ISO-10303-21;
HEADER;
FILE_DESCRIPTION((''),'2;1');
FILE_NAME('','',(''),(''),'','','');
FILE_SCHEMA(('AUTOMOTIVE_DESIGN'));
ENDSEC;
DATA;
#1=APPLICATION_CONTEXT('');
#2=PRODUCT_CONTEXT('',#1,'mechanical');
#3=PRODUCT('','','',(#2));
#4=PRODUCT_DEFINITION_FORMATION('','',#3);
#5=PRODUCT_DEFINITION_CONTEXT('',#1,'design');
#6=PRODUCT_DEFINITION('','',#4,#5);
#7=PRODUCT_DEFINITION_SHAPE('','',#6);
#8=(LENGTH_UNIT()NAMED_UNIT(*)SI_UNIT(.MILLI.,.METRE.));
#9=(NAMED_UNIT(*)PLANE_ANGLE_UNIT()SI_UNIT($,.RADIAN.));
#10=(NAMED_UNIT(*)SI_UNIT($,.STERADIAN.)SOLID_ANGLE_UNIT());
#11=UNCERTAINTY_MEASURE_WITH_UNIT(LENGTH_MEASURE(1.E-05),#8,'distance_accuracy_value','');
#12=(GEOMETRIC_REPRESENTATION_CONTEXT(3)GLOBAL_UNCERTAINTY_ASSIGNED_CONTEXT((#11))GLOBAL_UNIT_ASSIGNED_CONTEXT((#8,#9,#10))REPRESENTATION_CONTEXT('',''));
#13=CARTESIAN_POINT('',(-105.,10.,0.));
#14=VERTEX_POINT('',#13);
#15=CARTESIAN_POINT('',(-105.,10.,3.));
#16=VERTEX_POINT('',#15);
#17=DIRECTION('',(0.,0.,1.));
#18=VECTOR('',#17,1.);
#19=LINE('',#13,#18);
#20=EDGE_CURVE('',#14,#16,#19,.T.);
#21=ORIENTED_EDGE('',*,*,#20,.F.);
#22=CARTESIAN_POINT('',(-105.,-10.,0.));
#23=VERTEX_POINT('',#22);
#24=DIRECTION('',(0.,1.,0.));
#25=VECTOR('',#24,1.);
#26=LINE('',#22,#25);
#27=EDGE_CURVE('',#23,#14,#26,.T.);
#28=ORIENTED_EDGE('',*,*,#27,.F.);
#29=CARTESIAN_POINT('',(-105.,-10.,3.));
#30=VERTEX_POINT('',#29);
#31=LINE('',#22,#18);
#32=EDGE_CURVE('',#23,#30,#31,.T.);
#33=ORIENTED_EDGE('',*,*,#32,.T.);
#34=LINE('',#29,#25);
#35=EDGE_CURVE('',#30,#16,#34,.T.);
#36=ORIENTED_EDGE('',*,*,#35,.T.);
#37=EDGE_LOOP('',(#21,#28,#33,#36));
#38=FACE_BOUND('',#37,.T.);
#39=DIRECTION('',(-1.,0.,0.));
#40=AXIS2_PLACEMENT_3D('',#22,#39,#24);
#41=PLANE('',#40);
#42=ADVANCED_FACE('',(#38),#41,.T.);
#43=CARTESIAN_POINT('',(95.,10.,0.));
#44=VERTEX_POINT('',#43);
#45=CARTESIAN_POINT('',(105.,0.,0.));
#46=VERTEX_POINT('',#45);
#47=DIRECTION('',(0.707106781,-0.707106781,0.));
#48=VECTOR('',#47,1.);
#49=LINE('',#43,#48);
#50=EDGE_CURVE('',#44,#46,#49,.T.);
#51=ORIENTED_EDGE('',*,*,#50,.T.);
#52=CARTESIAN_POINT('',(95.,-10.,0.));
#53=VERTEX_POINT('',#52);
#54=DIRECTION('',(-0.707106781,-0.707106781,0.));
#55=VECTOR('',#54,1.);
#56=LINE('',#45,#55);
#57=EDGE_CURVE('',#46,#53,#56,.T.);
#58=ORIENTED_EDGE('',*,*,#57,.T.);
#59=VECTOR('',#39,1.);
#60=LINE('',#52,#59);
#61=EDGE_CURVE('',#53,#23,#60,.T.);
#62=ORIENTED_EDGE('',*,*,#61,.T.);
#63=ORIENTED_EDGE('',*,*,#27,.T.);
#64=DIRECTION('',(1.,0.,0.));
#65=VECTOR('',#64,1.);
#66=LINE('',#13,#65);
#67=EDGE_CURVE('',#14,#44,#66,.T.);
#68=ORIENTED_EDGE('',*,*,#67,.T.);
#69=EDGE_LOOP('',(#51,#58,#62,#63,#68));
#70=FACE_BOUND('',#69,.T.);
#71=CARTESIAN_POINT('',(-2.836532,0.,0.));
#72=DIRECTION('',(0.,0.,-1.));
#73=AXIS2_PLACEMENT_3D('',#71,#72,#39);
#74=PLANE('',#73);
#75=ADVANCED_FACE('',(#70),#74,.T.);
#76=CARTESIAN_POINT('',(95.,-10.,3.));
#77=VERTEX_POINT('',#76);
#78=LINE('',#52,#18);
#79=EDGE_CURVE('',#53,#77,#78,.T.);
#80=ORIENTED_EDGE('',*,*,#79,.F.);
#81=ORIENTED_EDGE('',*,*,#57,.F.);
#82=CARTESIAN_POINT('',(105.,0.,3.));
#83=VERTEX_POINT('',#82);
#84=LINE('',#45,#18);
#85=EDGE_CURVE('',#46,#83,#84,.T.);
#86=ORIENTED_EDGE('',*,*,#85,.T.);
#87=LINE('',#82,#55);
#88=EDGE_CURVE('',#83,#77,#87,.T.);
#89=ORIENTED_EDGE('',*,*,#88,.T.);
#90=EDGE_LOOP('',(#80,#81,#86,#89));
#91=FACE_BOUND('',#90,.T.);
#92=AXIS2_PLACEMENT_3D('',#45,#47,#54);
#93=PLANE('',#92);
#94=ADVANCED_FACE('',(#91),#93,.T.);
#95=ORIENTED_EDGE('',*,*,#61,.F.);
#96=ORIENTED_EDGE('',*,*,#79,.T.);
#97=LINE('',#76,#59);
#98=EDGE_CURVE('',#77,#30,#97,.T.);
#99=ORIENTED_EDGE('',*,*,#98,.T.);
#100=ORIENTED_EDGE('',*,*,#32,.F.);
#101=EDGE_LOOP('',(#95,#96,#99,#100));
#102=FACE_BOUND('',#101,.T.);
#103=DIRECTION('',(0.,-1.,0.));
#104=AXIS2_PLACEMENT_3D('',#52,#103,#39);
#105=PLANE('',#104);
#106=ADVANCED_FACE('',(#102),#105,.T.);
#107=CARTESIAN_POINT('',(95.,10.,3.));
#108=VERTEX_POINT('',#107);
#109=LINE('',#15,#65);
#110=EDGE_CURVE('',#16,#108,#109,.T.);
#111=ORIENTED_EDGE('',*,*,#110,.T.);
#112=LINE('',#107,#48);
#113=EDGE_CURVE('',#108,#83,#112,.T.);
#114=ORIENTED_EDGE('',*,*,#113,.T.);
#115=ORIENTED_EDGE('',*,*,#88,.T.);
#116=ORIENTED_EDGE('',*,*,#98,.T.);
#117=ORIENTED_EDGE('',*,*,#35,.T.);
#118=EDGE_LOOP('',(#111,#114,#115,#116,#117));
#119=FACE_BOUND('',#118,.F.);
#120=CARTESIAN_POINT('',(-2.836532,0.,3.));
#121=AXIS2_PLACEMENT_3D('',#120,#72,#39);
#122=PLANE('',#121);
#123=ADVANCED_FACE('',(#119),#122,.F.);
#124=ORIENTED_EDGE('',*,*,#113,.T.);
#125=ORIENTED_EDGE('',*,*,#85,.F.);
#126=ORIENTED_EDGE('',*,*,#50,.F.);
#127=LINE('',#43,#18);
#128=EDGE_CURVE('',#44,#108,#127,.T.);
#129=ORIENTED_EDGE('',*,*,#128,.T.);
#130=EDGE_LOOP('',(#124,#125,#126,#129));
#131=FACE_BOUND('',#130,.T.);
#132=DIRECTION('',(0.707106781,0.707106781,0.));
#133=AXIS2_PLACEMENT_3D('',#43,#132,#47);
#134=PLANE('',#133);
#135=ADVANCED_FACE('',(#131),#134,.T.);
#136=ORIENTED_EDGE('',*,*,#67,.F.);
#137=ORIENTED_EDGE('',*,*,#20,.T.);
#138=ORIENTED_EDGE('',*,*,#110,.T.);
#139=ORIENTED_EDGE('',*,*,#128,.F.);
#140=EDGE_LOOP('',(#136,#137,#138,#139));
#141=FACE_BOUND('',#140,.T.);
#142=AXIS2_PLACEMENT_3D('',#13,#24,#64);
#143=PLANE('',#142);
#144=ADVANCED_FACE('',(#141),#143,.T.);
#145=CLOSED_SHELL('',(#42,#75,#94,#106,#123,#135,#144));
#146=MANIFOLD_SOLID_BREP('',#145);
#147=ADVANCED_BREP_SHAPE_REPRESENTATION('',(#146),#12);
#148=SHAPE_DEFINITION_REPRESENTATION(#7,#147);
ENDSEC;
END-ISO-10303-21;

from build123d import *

# Parameters (mm, degrees)
PAD_DEPTH = 3


with BuildPart() as part:
    # Sketch → Pad (new body)
    with BuildSketch(Plane.XY):
        Polygon((-105, -10), (-105, 10), (95, 10), (105, 0), (95, -10), align=None)
    extrude(amount=PAD_DEPTH)


solid = part.part
